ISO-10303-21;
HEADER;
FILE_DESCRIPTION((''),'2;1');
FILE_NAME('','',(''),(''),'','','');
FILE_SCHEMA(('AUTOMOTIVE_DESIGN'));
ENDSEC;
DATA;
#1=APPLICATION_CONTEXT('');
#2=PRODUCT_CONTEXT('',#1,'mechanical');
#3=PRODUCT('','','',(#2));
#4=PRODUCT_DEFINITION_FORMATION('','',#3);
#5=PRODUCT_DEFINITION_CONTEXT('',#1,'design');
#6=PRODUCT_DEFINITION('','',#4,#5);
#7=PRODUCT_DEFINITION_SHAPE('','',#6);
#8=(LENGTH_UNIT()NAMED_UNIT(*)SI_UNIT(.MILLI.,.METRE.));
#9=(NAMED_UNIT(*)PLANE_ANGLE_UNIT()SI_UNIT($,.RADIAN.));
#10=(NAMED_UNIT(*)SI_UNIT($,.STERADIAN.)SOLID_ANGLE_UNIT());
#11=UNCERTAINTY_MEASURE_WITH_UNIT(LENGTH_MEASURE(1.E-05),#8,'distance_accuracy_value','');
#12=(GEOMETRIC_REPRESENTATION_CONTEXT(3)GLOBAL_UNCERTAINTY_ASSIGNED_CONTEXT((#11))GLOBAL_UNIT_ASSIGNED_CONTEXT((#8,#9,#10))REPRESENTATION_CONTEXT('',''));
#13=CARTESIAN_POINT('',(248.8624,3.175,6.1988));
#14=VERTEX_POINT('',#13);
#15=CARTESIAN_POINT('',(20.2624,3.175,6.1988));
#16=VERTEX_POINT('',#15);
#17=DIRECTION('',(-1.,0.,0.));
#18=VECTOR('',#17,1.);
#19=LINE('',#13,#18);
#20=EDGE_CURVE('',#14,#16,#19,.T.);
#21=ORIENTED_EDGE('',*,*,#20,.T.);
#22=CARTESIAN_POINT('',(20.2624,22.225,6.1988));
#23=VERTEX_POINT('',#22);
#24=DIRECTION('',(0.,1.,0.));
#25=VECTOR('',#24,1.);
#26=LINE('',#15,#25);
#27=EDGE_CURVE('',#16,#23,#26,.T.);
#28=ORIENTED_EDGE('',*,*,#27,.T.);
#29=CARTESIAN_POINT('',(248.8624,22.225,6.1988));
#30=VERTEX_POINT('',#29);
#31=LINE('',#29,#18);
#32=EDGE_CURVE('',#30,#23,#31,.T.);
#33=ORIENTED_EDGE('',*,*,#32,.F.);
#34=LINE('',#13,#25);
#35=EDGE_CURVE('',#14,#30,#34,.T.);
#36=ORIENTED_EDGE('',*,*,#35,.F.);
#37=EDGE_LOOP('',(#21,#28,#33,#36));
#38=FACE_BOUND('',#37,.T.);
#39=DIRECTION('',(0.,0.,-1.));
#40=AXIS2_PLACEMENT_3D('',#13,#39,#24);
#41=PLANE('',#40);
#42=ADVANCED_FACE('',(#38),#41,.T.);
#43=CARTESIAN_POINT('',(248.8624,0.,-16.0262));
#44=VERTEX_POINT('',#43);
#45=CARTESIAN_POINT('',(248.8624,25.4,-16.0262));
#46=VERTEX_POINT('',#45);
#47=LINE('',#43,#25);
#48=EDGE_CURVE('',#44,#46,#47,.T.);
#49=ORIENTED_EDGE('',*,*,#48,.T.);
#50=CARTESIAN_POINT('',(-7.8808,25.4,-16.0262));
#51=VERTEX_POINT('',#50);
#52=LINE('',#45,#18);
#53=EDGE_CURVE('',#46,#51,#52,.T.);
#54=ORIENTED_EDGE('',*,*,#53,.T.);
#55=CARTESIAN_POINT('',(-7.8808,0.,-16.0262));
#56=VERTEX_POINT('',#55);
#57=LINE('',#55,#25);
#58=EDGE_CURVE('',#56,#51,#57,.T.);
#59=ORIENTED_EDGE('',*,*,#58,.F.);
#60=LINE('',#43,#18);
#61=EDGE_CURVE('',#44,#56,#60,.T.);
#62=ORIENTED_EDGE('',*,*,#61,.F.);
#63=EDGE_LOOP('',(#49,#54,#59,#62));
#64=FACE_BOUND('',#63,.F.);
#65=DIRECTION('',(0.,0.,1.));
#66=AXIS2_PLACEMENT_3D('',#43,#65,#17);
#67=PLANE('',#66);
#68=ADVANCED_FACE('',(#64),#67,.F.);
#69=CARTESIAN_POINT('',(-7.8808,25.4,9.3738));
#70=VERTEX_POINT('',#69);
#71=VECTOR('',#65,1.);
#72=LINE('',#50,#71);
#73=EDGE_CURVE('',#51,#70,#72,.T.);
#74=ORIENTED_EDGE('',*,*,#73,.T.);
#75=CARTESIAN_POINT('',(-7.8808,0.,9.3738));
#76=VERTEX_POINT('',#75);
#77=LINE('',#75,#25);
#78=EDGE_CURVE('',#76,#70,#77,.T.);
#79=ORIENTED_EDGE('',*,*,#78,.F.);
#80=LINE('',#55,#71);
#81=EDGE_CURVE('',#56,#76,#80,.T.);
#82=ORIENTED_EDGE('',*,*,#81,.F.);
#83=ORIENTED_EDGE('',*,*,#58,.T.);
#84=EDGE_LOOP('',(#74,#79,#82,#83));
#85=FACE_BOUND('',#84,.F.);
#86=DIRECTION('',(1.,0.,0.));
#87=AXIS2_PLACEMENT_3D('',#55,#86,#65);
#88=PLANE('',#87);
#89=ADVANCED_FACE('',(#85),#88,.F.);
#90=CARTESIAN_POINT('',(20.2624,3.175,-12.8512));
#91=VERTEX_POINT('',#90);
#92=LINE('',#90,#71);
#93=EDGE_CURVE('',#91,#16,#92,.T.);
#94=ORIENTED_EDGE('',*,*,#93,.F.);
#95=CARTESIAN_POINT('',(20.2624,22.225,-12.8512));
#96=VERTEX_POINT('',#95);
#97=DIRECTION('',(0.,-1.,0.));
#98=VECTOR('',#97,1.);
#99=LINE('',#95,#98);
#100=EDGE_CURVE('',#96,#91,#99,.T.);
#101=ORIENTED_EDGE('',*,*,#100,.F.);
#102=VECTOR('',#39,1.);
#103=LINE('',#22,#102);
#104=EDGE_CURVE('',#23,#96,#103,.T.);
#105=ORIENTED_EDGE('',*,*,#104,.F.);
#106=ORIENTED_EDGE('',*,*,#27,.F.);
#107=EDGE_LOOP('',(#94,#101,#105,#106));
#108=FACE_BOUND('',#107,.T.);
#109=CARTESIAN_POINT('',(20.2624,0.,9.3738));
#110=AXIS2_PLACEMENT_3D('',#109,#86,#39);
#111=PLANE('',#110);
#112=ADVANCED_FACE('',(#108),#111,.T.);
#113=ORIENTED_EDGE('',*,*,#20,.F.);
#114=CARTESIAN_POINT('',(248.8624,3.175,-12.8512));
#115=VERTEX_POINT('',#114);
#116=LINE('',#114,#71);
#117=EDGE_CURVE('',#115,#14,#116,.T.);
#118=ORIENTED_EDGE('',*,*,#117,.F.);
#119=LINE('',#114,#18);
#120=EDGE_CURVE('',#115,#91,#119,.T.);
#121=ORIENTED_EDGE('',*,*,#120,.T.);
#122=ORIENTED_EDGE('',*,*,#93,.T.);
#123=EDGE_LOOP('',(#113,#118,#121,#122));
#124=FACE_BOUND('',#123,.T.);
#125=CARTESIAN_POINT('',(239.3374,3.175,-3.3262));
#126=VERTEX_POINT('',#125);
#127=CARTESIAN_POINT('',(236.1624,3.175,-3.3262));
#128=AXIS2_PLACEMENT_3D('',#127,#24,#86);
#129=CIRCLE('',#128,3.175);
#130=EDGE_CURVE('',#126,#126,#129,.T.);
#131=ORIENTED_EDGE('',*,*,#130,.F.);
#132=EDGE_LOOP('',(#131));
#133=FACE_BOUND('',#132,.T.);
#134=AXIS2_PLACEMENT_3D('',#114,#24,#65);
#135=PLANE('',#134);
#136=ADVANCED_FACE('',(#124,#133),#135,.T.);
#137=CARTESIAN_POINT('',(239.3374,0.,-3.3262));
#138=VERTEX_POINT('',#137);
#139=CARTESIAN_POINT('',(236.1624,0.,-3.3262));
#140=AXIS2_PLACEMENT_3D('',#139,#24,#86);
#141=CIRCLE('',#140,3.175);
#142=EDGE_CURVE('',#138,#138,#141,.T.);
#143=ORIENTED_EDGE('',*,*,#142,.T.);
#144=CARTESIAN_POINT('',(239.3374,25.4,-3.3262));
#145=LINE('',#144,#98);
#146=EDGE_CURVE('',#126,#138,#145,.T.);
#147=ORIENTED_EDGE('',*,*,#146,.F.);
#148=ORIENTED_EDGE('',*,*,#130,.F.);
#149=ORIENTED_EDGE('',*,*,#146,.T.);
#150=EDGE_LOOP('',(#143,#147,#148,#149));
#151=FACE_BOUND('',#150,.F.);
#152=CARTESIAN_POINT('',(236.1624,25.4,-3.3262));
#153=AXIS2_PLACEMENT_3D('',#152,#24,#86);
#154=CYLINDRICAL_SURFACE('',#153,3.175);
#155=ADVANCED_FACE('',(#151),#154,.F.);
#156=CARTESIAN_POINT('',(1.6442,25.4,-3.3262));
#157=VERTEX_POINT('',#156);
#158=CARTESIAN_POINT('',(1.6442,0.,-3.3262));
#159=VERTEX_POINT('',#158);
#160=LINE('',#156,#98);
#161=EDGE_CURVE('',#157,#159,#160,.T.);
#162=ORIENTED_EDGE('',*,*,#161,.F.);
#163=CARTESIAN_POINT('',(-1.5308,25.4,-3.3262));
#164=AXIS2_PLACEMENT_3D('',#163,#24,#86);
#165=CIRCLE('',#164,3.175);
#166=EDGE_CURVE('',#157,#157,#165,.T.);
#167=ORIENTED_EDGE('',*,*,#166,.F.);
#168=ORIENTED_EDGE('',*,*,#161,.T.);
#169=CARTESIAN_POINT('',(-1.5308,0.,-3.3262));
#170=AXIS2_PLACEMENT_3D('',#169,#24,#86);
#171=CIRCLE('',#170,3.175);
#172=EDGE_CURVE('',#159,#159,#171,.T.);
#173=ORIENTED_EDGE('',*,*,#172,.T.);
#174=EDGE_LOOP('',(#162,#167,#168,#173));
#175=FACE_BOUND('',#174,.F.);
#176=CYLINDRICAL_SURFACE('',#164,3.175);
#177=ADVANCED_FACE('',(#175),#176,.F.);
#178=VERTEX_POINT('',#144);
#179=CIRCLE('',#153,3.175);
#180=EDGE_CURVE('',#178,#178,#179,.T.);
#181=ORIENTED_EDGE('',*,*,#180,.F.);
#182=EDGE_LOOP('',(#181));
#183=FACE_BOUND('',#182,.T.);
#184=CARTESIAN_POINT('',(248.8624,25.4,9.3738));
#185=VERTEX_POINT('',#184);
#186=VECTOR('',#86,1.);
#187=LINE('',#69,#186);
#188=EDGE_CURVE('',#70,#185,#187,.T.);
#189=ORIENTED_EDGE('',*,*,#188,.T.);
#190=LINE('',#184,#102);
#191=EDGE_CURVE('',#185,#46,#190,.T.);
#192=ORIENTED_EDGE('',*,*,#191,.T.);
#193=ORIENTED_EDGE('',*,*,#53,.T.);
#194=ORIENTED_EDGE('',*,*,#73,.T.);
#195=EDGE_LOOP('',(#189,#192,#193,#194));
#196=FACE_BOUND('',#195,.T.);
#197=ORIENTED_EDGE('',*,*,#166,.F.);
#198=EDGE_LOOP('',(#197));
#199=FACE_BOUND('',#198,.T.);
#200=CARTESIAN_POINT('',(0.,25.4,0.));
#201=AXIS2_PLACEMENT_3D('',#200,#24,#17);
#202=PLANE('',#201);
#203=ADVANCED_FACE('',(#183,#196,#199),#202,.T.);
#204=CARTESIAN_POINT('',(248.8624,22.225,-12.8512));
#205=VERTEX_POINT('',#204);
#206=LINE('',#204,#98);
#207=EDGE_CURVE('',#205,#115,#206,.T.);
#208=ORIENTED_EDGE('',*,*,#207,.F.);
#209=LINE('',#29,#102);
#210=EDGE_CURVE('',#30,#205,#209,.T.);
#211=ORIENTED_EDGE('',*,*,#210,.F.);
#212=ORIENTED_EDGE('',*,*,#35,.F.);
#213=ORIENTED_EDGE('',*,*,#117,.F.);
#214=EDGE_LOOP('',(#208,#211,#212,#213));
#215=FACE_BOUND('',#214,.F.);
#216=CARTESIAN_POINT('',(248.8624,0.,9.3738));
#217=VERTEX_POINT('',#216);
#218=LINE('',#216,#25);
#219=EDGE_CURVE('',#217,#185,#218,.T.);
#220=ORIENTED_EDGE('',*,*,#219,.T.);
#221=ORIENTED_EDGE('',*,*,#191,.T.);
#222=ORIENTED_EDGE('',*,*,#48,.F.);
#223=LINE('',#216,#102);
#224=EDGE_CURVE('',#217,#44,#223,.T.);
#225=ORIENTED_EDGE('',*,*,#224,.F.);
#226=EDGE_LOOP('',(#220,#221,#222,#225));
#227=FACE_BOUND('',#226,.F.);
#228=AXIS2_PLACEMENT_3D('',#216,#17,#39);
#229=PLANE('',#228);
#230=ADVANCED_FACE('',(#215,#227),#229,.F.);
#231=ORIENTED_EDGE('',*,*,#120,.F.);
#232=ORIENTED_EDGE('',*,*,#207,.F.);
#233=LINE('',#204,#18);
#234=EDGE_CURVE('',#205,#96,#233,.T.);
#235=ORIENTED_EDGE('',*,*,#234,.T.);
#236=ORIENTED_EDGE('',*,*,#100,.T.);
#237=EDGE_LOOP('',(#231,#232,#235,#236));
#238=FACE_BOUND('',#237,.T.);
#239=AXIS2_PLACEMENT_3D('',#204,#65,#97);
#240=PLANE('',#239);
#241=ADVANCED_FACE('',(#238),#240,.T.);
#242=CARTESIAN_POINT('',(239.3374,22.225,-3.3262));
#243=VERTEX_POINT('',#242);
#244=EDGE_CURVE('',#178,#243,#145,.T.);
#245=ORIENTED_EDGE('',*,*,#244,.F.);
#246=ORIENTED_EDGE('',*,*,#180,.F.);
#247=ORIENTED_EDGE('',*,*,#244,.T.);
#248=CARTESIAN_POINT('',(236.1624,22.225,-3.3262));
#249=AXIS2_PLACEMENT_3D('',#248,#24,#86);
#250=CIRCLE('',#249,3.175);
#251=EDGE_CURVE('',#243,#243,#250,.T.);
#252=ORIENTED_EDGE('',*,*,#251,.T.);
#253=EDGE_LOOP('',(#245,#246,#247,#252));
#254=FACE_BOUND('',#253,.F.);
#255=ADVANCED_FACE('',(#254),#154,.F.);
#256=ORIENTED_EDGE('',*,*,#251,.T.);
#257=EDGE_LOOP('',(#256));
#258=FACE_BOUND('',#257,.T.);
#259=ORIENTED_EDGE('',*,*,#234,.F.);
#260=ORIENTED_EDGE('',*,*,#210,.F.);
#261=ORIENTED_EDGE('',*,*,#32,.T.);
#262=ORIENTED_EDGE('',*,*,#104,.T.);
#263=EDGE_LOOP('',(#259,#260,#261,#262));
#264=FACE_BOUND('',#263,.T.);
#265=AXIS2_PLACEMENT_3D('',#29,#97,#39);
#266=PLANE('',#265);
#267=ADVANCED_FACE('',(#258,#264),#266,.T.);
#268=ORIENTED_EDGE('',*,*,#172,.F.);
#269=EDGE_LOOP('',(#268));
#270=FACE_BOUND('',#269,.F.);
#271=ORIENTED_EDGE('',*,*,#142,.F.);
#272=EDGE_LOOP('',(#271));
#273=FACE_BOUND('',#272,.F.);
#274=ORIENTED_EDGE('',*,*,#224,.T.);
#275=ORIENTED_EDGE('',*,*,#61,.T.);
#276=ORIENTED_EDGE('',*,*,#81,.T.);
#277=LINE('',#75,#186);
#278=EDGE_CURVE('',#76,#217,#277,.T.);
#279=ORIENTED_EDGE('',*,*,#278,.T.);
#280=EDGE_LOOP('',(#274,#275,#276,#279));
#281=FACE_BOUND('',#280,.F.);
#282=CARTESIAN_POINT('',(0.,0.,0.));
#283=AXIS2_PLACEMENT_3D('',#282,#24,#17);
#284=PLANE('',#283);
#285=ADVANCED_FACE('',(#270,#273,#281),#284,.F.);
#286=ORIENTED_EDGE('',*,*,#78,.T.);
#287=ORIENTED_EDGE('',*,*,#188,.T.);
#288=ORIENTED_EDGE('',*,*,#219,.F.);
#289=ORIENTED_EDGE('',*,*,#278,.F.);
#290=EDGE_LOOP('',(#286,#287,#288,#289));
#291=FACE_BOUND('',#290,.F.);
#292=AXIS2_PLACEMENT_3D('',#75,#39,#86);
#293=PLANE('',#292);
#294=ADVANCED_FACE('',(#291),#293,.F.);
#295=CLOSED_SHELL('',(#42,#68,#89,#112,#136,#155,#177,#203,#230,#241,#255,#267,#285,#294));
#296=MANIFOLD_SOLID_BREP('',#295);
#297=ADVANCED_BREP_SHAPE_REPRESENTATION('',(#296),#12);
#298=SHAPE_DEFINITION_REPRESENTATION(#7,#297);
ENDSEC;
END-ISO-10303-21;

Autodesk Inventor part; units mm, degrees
ref_plane "YZ Plane" through (0, 0, 0) normal (1, 0, 0) x (0, 1, 0)
ref_plane "XZ Plane" through (0, 0, 0) normal (0, 1, 0) x (-1, 0, 0)
ref_plane "XY Plane" through (0, 0, 0) normal (0, 0, 1) x (1, 0, 0)
sketch "Sketch1" plane through (0, 0, 0) normal (0, 1, 0) x (-1, 0, 0)
  line L0 (7.8808, 9.3738) -> (-248.8624, 9.3738)
  line L1 (-248.8624, 9.3738) -> (-248.8624, -16.0262)
  line L2 (-248.8624, -16.0262) -> (7.8808, -16.0262)
  line L3 (7.8808, -16.0262) -> (7.8808, 9.3738)
  point P0 (0, 0)
  dimension "d0" = 25.4
  dimension "d1" = 256.7432
extrude "Extrusion1" add sketch "Sketch1" along normal blind 25.4
sketch "Sketch2" plane through (0, 25.4, 0) normal (0, 1, 0) x (1, 0, 0)
  line L0 (-7.8808, -9.3738) -> (248.8624, -9.3738)
  line L1 (248.8624, -9.3738) -> (248.8624, 16.0262)
  line L2 (248.8624, 16.0262) -> (-7.8808, 16.0262)
  line L3 (-7.8808, 16.0262) -> (-7.8808, -9.3738)
  circle A0 centre (-1.5308, 3.3262) radius 3.175
  circle A1 centre (236.1624, 3.3262) radius 3.175
  point P0 (0, 0)
  dimension "d4" = 6.35
  dimension "d5" = 6.35
  dimension "d6" = 237.6932
  dimension "d7" = 6.35
extrude "Extrusion2" cut sketch "Sketch2" against normal blind 25.4 contours A0 | A1
sketch "Sketch3" plane through (248.8624, 0, 9.3738) normal (1, 0, 0) x (0, 0, -1)
  line L0 (3.175, 22.225) -> (22.225, 22.225)
  line L1 (22.225, 22.225) -> (22.225, 3.175)
  line L2 (22.225, 3.175) -> (3.175, 3.175)
  line L3 (3.175, 3.175) -> (3.175, 22.225)
  line L4 (25.4, 0) -> (25.4, 25.4) projected
  line L5 (0, 25.4) -> (25.4, 25.4) projected
  line L6 (0, 0) -> (0, 25.4) projected
  line L7 (0, 0) -> (25.4, 0) projected
  point P0 (9.3738, 0)
  dimension "d10" = 3.175
  dimension "d11" = 3.175
  dimension "d12" = 3.175
  dimension "d13" = 3.175
extrude "Extrusion3" cut sketch "Sketch3" against normal blind 228.6 contours L0 L1 L2 L3
properties part number "Yarm"
